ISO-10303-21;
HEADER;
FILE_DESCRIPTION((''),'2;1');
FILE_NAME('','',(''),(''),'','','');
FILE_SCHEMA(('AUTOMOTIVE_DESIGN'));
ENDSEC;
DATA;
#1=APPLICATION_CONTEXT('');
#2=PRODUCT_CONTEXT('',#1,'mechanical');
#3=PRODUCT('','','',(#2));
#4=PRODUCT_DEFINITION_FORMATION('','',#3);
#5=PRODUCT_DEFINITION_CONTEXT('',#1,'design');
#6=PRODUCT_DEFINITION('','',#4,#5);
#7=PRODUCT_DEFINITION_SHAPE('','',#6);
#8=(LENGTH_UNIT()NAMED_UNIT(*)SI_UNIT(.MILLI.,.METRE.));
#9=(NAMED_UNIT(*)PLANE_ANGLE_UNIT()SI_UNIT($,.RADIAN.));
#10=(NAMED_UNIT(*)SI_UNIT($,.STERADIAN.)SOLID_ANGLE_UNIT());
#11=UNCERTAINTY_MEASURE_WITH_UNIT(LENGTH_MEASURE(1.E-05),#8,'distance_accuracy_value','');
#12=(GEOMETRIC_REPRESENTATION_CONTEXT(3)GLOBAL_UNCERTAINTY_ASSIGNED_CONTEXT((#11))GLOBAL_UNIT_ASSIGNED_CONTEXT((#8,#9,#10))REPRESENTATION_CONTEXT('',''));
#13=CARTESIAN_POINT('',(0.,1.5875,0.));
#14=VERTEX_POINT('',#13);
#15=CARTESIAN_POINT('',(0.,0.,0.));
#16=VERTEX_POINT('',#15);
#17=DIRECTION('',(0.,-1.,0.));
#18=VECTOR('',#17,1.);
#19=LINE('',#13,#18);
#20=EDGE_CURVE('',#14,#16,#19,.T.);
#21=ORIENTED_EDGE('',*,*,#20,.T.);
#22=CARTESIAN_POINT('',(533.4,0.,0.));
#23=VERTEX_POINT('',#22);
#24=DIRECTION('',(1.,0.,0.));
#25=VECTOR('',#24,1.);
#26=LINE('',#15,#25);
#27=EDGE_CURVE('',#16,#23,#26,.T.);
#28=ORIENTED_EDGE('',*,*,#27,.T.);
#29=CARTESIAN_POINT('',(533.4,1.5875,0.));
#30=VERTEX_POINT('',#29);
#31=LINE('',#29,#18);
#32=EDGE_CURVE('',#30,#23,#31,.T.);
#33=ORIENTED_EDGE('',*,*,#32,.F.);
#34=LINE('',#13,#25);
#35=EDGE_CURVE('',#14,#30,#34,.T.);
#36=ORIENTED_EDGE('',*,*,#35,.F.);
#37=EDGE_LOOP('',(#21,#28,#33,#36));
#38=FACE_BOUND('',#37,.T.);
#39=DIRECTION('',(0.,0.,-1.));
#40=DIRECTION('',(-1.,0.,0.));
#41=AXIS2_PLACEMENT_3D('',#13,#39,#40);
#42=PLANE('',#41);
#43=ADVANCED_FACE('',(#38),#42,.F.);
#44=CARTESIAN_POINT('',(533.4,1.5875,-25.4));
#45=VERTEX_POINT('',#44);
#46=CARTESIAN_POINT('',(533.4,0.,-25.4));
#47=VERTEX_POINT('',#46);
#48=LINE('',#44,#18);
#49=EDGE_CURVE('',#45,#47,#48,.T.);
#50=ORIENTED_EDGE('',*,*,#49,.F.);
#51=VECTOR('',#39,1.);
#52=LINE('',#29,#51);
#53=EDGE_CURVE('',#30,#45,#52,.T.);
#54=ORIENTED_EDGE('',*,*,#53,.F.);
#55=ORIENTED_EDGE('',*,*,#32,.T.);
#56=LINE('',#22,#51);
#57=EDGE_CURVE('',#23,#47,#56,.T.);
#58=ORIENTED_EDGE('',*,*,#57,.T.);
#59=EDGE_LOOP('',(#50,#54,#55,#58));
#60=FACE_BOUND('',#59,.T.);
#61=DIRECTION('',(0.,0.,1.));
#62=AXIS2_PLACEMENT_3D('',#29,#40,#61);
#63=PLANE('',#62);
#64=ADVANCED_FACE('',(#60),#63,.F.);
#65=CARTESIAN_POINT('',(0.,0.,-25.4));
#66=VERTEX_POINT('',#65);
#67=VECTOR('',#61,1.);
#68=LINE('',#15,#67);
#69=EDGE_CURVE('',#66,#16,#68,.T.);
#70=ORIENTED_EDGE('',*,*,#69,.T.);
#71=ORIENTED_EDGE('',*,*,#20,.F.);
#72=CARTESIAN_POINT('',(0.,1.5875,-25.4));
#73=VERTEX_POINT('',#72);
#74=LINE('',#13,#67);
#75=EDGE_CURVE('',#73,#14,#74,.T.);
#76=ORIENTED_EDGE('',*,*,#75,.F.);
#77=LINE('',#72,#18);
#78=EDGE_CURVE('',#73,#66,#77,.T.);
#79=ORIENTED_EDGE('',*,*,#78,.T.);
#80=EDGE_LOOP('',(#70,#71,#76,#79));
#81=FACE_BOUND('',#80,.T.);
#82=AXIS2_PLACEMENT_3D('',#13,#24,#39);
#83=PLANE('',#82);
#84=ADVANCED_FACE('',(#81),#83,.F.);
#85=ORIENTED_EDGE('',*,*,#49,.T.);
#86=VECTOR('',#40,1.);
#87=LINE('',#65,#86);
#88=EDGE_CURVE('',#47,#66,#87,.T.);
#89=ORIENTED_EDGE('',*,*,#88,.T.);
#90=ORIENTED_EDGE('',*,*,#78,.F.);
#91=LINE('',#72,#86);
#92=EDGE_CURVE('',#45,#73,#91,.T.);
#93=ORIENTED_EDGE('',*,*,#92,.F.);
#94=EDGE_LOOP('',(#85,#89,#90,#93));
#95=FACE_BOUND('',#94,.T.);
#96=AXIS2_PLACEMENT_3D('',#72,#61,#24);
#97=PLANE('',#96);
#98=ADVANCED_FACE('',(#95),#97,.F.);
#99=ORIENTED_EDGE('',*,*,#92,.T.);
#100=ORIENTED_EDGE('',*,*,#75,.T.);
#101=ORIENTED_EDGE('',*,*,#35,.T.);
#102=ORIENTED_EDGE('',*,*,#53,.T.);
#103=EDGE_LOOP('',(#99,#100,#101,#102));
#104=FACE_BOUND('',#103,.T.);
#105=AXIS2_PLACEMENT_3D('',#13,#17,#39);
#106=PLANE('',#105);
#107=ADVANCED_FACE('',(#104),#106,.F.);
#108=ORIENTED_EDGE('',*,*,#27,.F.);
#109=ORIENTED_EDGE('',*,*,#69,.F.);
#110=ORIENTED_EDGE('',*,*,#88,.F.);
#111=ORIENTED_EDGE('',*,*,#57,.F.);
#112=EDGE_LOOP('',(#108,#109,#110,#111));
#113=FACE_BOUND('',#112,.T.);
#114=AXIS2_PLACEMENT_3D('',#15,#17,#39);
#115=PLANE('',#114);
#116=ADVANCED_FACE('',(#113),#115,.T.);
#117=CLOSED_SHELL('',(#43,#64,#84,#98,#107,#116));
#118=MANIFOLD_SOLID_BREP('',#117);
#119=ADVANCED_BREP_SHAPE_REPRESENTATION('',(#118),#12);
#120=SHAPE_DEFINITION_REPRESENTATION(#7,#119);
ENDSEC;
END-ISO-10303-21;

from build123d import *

# Parameters (mm, degrees)
SKETCH1_W           = 533.4
SKETCH1_H           = 25.4
BOSS_EXTRUDE1_DEPTH = 1.5875


with BuildPart() as part:
    # Sketch1 → Boss-Extrude1 (new body)
    with BuildSketch(Plane(origin=(0, 0, 0), x_dir=(1, 0, 0), z_dir=(0, 1, 0))):
        with Locations((266.7, 12.7)):
            Rectangle(SKETCH1_W, SKETCH1_H)
    extrude(amount=BOSS_EXTRUDE1_DEPTH)


solid = part.part
